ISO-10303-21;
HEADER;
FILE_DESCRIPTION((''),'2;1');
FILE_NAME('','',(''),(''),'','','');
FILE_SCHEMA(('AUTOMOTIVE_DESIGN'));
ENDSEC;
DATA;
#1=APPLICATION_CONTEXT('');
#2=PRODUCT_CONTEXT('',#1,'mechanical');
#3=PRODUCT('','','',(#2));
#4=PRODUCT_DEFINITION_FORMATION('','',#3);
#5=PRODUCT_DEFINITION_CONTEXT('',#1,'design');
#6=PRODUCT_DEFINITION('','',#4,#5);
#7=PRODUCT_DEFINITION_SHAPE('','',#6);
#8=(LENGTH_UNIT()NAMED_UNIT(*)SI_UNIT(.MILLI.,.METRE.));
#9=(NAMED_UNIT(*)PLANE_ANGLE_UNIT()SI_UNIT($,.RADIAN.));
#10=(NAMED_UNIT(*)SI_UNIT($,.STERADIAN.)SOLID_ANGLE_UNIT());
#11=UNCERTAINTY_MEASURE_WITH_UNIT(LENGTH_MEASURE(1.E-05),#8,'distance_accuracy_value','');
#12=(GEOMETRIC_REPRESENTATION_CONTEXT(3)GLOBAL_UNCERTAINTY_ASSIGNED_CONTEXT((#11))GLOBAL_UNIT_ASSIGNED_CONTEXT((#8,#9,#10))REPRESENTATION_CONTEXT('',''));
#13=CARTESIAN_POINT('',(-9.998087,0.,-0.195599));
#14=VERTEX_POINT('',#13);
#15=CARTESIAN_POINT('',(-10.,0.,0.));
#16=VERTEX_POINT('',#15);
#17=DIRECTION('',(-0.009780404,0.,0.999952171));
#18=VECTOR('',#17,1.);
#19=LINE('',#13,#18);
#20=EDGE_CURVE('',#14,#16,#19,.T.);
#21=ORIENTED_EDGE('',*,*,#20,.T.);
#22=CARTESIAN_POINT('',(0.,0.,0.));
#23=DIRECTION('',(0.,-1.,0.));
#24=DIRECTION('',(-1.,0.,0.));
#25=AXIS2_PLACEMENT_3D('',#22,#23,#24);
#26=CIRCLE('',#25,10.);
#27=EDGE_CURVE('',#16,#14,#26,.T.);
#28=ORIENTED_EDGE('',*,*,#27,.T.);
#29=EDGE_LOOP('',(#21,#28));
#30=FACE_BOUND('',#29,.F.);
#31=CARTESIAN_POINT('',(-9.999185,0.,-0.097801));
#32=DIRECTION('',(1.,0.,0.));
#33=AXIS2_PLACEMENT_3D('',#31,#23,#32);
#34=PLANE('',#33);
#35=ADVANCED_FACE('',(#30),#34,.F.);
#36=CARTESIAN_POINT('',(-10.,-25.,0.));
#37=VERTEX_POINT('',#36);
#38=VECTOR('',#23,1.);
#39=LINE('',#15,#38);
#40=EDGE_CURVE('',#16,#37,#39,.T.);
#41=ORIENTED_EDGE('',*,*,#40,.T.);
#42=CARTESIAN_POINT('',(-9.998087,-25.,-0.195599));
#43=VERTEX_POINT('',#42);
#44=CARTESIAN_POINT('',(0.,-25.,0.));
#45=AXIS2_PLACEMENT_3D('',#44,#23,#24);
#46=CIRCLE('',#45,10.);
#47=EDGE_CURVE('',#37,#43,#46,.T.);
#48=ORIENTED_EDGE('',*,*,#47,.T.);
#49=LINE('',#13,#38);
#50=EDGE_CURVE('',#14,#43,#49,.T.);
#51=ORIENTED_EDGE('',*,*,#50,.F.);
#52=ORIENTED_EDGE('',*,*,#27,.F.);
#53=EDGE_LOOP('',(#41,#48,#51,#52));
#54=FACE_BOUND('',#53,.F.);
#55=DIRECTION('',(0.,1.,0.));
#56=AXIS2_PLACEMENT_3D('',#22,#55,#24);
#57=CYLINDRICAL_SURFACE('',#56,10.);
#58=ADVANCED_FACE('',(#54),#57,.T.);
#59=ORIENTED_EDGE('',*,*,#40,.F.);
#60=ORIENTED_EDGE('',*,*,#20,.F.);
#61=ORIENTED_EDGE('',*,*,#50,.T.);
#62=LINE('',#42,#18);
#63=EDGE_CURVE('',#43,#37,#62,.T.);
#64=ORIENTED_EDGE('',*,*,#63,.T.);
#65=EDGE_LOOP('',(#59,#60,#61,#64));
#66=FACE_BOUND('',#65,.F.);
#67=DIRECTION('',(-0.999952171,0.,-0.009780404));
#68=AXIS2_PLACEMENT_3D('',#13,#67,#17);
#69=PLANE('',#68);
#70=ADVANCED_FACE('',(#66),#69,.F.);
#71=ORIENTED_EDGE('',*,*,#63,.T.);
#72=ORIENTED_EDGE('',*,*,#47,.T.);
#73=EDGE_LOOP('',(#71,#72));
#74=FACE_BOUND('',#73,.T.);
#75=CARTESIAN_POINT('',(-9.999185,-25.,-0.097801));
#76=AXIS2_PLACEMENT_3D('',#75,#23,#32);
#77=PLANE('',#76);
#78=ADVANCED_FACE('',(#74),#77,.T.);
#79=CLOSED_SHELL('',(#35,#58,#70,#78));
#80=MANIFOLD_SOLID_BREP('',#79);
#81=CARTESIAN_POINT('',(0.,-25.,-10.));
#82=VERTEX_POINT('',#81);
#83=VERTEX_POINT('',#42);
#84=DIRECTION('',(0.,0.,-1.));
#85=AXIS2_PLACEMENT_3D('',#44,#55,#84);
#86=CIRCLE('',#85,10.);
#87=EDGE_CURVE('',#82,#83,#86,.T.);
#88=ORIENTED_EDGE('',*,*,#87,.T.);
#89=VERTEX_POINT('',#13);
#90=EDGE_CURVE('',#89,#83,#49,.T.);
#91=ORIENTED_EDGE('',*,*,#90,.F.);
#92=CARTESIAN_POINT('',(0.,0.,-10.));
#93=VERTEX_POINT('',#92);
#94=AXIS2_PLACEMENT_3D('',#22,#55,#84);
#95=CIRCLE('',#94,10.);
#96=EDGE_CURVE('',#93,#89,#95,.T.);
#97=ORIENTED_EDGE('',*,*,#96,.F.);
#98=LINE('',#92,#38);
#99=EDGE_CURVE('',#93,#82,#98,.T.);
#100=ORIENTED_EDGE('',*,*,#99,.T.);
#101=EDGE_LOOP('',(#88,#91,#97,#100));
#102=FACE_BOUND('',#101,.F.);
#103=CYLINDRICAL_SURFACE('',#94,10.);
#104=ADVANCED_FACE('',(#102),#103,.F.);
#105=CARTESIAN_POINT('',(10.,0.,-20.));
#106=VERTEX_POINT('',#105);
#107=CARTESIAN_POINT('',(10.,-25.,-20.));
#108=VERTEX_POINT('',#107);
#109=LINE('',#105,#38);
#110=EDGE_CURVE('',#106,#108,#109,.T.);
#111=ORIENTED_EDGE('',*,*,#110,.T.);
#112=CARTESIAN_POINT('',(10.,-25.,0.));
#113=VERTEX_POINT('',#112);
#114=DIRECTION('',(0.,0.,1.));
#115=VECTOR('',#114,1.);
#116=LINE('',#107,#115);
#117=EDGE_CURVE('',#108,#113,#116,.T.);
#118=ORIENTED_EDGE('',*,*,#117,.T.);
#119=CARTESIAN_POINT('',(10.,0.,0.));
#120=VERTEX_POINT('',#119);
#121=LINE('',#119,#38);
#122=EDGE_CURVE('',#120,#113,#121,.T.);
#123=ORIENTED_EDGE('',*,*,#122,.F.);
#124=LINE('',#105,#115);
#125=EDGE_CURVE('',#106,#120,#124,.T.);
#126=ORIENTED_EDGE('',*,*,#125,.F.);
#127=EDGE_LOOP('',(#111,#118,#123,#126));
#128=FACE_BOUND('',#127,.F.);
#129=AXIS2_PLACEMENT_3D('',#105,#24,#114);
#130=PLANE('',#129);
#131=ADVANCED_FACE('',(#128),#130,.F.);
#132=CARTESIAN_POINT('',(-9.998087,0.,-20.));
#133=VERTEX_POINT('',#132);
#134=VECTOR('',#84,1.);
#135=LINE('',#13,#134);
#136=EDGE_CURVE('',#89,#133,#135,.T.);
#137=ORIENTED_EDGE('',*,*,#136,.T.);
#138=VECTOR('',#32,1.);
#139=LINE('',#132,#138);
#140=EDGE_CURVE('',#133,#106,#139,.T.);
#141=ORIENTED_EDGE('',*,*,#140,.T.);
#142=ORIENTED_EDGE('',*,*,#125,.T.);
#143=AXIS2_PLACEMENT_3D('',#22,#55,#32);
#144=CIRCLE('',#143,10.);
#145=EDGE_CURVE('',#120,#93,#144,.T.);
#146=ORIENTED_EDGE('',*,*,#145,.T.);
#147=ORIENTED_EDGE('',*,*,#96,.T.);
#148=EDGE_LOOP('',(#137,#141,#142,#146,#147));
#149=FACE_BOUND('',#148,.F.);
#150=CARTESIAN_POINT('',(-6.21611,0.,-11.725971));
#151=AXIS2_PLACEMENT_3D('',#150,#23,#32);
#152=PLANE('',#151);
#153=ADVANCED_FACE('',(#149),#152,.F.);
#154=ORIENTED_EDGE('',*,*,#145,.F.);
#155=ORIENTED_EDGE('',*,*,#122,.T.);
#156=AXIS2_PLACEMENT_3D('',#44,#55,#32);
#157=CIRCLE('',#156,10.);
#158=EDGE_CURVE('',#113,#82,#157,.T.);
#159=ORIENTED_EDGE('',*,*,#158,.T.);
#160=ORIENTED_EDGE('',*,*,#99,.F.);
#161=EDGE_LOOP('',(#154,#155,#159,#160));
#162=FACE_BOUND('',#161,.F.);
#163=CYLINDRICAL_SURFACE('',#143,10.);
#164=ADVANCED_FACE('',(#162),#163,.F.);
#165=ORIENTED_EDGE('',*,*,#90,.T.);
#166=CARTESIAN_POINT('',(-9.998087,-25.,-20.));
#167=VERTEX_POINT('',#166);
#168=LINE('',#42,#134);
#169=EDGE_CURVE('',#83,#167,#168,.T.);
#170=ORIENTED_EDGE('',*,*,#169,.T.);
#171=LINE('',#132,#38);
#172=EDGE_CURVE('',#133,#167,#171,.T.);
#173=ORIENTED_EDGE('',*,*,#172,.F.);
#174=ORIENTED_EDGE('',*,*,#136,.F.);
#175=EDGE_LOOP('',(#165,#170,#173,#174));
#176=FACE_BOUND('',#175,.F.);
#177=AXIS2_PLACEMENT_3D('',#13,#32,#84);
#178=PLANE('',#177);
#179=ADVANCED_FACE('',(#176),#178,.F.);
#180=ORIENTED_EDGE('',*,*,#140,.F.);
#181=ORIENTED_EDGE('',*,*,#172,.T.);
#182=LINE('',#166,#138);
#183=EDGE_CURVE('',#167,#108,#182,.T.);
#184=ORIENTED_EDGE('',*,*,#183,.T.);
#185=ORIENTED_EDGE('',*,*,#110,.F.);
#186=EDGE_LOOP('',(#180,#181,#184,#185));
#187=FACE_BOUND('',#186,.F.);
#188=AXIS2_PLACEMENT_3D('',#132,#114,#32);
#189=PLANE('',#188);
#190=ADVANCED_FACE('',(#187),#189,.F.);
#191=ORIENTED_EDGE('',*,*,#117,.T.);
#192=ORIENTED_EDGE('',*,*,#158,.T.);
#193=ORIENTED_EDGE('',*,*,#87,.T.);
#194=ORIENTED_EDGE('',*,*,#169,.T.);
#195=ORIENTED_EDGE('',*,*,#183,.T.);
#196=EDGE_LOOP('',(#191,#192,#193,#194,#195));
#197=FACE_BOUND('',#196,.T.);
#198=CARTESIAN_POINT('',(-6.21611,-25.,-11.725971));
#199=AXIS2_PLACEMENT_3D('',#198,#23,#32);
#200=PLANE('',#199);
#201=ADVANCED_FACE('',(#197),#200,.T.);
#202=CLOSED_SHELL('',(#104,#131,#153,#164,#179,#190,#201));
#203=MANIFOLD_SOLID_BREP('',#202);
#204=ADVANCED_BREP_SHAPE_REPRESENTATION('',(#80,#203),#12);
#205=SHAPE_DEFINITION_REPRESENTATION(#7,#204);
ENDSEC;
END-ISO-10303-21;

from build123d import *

# Parameters (mm, degrees)
F1_DEPTH = 25


with BuildPart() as f1:
    # F0 (on Front) → F1 (new body)
    with BuildSketch(Plane.XZ):
        with BuildLine():
            Line((-9.9980868741, -0.1955987176), (-10, 0))
            ThreePointArc((-10, 0), (-9.9995217071, -0.0978040367), (-9.9980868741, -0.1955987176))
        make_face()
    extrude(amount=F1_DEPTH)


with BuildPart() as f1b:
    # F0 (on Front) → F1, piece 2 (new body)
    with BuildSketch(Plane.XZ):
        with BuildLine():
            ThreePointArc((0, -10), (-7.0015717101, -7.1398875053), (-9.9980868741, -0.1955987176))
            Line((-9.9980868741, -0.1955987176), (-9.9980868741, -20))
            Line((-9.9980868741, -20), (0, -20))
            Line((0, -20), (0, -10))
        make_face()
        with BuildLine():
            ThreePointArc((10, 0), (7.0710678119, -7.0710678119), (0, -10))
            Line((0, -10), (0, -20))
            Line((0, -20), (10, -20))
            Line((10, -20), (10, 0))
        make_face()
    extrude(amount=F1_DEPTH)


solid = Compound([f1.part, f1b.part])
